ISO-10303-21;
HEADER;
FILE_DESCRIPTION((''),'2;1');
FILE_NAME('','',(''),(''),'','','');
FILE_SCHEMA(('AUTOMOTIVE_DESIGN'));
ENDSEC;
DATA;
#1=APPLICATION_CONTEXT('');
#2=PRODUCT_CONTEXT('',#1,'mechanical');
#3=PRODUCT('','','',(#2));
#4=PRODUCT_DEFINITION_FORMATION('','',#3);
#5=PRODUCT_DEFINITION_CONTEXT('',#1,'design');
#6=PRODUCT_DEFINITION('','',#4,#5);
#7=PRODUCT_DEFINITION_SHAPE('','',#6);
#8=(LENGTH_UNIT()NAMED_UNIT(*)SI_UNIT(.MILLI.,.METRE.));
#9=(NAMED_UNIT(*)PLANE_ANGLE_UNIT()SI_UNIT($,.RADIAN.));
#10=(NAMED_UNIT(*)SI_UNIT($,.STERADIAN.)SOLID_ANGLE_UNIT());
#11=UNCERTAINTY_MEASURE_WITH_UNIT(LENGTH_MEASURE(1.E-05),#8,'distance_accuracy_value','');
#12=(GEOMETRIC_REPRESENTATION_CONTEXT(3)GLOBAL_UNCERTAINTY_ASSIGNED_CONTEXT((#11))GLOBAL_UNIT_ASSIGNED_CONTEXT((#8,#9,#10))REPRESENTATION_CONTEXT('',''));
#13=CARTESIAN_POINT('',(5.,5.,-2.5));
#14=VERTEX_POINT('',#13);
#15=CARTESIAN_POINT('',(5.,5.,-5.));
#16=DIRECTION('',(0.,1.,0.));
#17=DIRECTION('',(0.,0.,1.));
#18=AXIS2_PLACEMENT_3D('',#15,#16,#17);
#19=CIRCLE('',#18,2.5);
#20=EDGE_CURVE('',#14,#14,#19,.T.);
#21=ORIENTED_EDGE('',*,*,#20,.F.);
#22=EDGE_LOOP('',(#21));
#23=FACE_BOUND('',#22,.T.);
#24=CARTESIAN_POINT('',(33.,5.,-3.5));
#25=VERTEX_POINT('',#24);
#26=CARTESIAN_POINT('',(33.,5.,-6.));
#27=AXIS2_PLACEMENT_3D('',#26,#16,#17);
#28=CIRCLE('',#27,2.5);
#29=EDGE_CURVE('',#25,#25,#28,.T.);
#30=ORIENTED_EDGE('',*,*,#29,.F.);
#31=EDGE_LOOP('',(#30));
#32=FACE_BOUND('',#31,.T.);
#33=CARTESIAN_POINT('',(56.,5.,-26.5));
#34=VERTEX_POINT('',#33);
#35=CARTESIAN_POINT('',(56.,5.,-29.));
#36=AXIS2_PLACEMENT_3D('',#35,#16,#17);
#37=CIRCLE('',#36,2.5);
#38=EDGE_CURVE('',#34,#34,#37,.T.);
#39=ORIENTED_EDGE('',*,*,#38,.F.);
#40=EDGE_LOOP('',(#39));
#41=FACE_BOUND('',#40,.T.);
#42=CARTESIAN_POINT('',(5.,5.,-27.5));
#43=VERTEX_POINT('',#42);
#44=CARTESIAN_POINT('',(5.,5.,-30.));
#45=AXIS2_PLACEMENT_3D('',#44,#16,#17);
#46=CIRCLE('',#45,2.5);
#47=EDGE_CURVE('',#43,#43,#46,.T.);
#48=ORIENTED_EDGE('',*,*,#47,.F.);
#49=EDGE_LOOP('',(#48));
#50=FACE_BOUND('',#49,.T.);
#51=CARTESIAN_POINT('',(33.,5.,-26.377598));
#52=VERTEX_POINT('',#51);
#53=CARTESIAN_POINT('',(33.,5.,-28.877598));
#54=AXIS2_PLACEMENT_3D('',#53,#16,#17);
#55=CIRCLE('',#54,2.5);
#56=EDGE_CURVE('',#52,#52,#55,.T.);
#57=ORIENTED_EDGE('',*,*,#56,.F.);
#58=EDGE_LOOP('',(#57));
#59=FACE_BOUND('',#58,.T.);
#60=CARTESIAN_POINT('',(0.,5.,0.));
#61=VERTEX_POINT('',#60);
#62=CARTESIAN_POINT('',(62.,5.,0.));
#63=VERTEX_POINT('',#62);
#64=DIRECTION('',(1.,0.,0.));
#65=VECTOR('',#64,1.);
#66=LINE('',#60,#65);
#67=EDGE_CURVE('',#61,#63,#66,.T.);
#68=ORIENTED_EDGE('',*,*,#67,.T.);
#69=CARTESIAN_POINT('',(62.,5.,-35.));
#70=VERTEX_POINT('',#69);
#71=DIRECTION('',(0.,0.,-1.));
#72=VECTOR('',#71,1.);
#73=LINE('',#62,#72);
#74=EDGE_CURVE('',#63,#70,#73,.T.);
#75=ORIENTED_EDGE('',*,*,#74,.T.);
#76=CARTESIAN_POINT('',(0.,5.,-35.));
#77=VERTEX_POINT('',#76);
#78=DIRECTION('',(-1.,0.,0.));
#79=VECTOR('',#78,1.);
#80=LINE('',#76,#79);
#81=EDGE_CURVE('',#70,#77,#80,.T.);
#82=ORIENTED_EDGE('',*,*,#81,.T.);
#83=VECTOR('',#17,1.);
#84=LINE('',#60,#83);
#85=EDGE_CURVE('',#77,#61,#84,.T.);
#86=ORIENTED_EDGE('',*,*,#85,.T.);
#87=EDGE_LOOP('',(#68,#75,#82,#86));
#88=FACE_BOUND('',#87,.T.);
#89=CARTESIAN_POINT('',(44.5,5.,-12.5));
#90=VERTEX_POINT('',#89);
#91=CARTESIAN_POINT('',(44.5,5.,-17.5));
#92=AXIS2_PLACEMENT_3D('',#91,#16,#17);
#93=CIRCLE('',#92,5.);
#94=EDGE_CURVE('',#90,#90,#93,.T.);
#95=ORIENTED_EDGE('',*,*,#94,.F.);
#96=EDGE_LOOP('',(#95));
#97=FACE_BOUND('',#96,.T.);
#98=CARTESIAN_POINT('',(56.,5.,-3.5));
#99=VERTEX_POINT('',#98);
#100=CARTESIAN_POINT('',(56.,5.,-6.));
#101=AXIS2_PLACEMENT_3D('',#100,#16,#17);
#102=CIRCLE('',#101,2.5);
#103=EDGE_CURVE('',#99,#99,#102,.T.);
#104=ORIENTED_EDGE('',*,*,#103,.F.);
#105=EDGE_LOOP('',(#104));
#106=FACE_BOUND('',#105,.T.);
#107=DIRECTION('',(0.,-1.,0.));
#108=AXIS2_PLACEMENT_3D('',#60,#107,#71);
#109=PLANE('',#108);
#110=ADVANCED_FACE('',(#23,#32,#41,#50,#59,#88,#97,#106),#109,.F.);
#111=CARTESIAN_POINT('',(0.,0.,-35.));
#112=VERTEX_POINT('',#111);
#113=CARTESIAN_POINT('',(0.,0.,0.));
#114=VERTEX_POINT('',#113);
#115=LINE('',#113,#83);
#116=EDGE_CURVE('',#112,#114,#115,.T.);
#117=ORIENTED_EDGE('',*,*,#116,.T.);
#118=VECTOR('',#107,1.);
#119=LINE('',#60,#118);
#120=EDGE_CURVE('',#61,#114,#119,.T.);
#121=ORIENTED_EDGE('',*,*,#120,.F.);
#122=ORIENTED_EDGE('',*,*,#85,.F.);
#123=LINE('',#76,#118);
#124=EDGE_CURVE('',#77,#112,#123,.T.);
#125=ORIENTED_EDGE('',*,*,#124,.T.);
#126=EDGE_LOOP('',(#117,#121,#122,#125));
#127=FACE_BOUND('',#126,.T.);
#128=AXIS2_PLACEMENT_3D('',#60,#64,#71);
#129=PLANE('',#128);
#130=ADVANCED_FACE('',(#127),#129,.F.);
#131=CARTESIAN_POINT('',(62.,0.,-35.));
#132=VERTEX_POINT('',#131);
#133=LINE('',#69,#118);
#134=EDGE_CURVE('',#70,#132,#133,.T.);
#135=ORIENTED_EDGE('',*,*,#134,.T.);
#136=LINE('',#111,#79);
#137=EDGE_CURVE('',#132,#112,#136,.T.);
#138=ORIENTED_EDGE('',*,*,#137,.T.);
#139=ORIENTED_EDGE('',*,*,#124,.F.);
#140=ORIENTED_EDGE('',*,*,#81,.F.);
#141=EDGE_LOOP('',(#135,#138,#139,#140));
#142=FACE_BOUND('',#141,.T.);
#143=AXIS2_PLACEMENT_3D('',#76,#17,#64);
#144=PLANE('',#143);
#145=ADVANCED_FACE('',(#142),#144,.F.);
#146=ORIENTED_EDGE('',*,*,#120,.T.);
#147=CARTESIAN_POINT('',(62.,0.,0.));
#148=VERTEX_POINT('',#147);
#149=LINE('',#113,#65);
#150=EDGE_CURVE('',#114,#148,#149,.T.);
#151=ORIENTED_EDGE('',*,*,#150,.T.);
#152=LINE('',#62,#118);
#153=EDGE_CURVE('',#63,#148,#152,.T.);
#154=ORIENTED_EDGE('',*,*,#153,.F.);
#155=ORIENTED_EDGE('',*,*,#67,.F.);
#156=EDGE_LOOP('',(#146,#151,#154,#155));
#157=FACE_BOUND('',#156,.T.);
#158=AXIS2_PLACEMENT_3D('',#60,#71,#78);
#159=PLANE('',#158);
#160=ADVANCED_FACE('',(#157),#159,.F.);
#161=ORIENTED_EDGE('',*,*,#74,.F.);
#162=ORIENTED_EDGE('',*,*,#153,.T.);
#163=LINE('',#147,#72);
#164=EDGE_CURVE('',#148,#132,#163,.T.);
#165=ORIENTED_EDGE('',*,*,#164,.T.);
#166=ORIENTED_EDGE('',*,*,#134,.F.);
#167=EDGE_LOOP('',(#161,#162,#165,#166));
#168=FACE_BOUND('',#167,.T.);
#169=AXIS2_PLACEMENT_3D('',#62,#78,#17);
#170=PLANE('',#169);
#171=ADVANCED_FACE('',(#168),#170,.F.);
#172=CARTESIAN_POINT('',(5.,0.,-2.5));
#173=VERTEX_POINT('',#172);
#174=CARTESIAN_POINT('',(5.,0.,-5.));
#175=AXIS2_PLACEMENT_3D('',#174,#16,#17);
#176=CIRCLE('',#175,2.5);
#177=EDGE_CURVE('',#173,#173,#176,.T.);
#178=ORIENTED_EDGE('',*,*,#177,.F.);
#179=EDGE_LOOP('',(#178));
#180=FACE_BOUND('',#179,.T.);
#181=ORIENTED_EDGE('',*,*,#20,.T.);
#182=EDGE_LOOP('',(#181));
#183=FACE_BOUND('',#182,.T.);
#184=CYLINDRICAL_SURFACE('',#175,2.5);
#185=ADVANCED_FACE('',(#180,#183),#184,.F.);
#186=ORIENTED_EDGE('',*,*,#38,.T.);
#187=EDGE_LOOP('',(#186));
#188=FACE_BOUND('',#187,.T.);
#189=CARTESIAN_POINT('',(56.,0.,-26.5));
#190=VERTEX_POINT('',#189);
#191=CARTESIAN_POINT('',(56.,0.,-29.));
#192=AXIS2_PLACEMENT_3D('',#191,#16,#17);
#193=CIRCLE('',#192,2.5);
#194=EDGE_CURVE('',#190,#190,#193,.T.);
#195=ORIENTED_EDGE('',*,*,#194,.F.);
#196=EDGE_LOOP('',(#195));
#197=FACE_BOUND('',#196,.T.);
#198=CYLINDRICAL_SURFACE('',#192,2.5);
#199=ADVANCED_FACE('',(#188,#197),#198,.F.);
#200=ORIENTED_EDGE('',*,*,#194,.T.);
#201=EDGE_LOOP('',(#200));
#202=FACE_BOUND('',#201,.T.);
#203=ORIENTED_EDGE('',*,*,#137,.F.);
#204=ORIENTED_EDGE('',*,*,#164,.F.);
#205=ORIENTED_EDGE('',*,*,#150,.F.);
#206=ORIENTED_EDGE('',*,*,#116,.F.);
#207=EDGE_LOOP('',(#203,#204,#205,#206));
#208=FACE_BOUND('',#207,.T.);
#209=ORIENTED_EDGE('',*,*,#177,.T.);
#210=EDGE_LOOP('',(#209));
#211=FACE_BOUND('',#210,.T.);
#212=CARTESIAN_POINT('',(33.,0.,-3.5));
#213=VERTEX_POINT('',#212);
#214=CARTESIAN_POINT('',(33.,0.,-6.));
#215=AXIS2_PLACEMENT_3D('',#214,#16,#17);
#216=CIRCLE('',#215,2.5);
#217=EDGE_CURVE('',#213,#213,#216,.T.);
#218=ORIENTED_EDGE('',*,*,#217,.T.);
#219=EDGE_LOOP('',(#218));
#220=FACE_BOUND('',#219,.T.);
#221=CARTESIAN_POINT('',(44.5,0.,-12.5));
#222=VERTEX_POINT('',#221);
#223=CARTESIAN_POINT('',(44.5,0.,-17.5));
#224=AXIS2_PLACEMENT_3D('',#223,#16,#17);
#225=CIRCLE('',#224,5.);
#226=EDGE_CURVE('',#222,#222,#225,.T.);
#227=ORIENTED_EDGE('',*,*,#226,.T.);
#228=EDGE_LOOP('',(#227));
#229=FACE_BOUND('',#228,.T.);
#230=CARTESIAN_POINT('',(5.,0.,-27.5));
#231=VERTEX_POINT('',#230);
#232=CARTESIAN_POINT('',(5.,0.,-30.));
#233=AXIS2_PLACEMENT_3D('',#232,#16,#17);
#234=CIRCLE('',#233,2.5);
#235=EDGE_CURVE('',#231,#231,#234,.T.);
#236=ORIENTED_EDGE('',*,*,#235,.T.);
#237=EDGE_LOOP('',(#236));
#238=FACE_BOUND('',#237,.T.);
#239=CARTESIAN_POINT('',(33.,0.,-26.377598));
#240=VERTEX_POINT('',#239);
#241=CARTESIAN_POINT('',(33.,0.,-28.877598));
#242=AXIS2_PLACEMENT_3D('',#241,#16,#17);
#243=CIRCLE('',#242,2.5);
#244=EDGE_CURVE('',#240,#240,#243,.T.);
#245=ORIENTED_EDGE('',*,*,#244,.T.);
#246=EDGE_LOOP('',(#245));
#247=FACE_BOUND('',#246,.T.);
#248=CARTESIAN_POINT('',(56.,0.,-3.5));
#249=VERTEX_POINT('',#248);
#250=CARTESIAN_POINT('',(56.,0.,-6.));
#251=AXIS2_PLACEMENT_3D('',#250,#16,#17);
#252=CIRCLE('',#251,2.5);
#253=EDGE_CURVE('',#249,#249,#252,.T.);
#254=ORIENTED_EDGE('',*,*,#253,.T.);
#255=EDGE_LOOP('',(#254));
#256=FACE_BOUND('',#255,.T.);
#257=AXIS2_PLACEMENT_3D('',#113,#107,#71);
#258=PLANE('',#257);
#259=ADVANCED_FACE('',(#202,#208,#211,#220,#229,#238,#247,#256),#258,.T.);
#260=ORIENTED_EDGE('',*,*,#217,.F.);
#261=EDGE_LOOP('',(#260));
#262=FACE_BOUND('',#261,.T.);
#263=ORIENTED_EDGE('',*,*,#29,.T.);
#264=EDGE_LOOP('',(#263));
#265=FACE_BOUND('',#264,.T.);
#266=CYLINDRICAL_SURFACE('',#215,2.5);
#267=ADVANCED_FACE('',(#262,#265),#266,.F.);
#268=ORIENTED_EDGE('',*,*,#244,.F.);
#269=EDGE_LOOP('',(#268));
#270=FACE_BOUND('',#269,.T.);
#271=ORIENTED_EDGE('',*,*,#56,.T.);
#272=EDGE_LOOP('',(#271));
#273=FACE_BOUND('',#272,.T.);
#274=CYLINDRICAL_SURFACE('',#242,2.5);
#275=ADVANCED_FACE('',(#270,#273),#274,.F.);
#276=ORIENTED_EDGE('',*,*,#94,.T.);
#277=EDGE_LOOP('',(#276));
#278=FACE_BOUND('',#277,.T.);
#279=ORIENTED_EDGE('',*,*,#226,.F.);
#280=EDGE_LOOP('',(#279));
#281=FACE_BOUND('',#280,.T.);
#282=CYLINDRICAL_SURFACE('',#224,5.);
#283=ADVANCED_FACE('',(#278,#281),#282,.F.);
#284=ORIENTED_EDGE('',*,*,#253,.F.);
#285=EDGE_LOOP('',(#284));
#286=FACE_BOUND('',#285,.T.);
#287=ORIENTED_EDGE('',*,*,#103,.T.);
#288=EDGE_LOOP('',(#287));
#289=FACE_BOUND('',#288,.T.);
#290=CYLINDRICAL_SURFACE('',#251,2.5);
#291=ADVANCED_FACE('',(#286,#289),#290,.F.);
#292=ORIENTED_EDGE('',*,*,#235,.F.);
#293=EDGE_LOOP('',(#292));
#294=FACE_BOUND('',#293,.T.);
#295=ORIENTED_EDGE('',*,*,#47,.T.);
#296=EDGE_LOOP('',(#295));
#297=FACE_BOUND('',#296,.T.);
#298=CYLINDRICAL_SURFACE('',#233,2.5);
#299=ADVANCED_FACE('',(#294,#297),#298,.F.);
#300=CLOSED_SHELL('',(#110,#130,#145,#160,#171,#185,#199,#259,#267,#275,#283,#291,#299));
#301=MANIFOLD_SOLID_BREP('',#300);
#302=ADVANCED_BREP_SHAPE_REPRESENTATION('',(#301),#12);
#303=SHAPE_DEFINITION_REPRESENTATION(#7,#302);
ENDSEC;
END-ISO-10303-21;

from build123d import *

# Parameters (mm, degrees)
SKETCH1_W           = 62
SKETCH1_H           = 35
BOSS_EXTRUDE1_DEPTH = 5
SKETCH2_R           = 2.5
CUT_EXTRUDE1_DEPTH  = 6
SKETCH3_R           = 2.5
SKETCH3_R_2         = 5
CUT_EXTRUDE2_DEPTH  = 6


with BuildPart() as part:
    # Sketch1 → Boss-Extrude1 (new body)
    with BuildSketch(Plane(origin=(0, 0, 0), x_dir=(1, 0, 0), z_dir=(0, 1, 0))):
        with Locations((31, 17.5)):
            Rectangle(SKETCH1_W, SKETCH1_H)
    extrude(amount=BOSS_EXTRUDE1_DEPTH)

    # Sketch2 → Cut-Extrude1 (cut, through all)
    with BuildSketch(Plane(origin=(0, 5, 0), x_dir=(1, 0, 0), z_dir=(0, 1, 0))):
        with Locations((5, 30)):
            Circle(SKETCH2_R)
        with Locations((5, 5)):
            Circle(SKETCH2_R)
    extrude(amount=-CUT_EXTRUDE1_DEPTH, mode=Mode.SUBTRACT)

    # Sketch3 → Cut-Extrude2 (cut, through all)
    with BuildSketch(Plane(origin=(0, 5, 0), x_dir=(1, 0, 0), z_dir=(0, 1, 0))):
        with Locations((56, 29)):
            Circle(SKETCH3_R)
        with Locations((56, 6)):
            Circle(SKETCH3_R)
        with Locations((33, 28.877597721)):
            Circle(SKETCH3_R)
        with Locations((33, 6)):
            Circle(SKETCH3_R)
        with Locations((44.5, 17.5)):
            Circle(SKETCH3_R_2)
    extrude(amount=-CUT_EXTRUDE2_DEPTH, mode=Mode.SUBTRACT)


solid = part.part
